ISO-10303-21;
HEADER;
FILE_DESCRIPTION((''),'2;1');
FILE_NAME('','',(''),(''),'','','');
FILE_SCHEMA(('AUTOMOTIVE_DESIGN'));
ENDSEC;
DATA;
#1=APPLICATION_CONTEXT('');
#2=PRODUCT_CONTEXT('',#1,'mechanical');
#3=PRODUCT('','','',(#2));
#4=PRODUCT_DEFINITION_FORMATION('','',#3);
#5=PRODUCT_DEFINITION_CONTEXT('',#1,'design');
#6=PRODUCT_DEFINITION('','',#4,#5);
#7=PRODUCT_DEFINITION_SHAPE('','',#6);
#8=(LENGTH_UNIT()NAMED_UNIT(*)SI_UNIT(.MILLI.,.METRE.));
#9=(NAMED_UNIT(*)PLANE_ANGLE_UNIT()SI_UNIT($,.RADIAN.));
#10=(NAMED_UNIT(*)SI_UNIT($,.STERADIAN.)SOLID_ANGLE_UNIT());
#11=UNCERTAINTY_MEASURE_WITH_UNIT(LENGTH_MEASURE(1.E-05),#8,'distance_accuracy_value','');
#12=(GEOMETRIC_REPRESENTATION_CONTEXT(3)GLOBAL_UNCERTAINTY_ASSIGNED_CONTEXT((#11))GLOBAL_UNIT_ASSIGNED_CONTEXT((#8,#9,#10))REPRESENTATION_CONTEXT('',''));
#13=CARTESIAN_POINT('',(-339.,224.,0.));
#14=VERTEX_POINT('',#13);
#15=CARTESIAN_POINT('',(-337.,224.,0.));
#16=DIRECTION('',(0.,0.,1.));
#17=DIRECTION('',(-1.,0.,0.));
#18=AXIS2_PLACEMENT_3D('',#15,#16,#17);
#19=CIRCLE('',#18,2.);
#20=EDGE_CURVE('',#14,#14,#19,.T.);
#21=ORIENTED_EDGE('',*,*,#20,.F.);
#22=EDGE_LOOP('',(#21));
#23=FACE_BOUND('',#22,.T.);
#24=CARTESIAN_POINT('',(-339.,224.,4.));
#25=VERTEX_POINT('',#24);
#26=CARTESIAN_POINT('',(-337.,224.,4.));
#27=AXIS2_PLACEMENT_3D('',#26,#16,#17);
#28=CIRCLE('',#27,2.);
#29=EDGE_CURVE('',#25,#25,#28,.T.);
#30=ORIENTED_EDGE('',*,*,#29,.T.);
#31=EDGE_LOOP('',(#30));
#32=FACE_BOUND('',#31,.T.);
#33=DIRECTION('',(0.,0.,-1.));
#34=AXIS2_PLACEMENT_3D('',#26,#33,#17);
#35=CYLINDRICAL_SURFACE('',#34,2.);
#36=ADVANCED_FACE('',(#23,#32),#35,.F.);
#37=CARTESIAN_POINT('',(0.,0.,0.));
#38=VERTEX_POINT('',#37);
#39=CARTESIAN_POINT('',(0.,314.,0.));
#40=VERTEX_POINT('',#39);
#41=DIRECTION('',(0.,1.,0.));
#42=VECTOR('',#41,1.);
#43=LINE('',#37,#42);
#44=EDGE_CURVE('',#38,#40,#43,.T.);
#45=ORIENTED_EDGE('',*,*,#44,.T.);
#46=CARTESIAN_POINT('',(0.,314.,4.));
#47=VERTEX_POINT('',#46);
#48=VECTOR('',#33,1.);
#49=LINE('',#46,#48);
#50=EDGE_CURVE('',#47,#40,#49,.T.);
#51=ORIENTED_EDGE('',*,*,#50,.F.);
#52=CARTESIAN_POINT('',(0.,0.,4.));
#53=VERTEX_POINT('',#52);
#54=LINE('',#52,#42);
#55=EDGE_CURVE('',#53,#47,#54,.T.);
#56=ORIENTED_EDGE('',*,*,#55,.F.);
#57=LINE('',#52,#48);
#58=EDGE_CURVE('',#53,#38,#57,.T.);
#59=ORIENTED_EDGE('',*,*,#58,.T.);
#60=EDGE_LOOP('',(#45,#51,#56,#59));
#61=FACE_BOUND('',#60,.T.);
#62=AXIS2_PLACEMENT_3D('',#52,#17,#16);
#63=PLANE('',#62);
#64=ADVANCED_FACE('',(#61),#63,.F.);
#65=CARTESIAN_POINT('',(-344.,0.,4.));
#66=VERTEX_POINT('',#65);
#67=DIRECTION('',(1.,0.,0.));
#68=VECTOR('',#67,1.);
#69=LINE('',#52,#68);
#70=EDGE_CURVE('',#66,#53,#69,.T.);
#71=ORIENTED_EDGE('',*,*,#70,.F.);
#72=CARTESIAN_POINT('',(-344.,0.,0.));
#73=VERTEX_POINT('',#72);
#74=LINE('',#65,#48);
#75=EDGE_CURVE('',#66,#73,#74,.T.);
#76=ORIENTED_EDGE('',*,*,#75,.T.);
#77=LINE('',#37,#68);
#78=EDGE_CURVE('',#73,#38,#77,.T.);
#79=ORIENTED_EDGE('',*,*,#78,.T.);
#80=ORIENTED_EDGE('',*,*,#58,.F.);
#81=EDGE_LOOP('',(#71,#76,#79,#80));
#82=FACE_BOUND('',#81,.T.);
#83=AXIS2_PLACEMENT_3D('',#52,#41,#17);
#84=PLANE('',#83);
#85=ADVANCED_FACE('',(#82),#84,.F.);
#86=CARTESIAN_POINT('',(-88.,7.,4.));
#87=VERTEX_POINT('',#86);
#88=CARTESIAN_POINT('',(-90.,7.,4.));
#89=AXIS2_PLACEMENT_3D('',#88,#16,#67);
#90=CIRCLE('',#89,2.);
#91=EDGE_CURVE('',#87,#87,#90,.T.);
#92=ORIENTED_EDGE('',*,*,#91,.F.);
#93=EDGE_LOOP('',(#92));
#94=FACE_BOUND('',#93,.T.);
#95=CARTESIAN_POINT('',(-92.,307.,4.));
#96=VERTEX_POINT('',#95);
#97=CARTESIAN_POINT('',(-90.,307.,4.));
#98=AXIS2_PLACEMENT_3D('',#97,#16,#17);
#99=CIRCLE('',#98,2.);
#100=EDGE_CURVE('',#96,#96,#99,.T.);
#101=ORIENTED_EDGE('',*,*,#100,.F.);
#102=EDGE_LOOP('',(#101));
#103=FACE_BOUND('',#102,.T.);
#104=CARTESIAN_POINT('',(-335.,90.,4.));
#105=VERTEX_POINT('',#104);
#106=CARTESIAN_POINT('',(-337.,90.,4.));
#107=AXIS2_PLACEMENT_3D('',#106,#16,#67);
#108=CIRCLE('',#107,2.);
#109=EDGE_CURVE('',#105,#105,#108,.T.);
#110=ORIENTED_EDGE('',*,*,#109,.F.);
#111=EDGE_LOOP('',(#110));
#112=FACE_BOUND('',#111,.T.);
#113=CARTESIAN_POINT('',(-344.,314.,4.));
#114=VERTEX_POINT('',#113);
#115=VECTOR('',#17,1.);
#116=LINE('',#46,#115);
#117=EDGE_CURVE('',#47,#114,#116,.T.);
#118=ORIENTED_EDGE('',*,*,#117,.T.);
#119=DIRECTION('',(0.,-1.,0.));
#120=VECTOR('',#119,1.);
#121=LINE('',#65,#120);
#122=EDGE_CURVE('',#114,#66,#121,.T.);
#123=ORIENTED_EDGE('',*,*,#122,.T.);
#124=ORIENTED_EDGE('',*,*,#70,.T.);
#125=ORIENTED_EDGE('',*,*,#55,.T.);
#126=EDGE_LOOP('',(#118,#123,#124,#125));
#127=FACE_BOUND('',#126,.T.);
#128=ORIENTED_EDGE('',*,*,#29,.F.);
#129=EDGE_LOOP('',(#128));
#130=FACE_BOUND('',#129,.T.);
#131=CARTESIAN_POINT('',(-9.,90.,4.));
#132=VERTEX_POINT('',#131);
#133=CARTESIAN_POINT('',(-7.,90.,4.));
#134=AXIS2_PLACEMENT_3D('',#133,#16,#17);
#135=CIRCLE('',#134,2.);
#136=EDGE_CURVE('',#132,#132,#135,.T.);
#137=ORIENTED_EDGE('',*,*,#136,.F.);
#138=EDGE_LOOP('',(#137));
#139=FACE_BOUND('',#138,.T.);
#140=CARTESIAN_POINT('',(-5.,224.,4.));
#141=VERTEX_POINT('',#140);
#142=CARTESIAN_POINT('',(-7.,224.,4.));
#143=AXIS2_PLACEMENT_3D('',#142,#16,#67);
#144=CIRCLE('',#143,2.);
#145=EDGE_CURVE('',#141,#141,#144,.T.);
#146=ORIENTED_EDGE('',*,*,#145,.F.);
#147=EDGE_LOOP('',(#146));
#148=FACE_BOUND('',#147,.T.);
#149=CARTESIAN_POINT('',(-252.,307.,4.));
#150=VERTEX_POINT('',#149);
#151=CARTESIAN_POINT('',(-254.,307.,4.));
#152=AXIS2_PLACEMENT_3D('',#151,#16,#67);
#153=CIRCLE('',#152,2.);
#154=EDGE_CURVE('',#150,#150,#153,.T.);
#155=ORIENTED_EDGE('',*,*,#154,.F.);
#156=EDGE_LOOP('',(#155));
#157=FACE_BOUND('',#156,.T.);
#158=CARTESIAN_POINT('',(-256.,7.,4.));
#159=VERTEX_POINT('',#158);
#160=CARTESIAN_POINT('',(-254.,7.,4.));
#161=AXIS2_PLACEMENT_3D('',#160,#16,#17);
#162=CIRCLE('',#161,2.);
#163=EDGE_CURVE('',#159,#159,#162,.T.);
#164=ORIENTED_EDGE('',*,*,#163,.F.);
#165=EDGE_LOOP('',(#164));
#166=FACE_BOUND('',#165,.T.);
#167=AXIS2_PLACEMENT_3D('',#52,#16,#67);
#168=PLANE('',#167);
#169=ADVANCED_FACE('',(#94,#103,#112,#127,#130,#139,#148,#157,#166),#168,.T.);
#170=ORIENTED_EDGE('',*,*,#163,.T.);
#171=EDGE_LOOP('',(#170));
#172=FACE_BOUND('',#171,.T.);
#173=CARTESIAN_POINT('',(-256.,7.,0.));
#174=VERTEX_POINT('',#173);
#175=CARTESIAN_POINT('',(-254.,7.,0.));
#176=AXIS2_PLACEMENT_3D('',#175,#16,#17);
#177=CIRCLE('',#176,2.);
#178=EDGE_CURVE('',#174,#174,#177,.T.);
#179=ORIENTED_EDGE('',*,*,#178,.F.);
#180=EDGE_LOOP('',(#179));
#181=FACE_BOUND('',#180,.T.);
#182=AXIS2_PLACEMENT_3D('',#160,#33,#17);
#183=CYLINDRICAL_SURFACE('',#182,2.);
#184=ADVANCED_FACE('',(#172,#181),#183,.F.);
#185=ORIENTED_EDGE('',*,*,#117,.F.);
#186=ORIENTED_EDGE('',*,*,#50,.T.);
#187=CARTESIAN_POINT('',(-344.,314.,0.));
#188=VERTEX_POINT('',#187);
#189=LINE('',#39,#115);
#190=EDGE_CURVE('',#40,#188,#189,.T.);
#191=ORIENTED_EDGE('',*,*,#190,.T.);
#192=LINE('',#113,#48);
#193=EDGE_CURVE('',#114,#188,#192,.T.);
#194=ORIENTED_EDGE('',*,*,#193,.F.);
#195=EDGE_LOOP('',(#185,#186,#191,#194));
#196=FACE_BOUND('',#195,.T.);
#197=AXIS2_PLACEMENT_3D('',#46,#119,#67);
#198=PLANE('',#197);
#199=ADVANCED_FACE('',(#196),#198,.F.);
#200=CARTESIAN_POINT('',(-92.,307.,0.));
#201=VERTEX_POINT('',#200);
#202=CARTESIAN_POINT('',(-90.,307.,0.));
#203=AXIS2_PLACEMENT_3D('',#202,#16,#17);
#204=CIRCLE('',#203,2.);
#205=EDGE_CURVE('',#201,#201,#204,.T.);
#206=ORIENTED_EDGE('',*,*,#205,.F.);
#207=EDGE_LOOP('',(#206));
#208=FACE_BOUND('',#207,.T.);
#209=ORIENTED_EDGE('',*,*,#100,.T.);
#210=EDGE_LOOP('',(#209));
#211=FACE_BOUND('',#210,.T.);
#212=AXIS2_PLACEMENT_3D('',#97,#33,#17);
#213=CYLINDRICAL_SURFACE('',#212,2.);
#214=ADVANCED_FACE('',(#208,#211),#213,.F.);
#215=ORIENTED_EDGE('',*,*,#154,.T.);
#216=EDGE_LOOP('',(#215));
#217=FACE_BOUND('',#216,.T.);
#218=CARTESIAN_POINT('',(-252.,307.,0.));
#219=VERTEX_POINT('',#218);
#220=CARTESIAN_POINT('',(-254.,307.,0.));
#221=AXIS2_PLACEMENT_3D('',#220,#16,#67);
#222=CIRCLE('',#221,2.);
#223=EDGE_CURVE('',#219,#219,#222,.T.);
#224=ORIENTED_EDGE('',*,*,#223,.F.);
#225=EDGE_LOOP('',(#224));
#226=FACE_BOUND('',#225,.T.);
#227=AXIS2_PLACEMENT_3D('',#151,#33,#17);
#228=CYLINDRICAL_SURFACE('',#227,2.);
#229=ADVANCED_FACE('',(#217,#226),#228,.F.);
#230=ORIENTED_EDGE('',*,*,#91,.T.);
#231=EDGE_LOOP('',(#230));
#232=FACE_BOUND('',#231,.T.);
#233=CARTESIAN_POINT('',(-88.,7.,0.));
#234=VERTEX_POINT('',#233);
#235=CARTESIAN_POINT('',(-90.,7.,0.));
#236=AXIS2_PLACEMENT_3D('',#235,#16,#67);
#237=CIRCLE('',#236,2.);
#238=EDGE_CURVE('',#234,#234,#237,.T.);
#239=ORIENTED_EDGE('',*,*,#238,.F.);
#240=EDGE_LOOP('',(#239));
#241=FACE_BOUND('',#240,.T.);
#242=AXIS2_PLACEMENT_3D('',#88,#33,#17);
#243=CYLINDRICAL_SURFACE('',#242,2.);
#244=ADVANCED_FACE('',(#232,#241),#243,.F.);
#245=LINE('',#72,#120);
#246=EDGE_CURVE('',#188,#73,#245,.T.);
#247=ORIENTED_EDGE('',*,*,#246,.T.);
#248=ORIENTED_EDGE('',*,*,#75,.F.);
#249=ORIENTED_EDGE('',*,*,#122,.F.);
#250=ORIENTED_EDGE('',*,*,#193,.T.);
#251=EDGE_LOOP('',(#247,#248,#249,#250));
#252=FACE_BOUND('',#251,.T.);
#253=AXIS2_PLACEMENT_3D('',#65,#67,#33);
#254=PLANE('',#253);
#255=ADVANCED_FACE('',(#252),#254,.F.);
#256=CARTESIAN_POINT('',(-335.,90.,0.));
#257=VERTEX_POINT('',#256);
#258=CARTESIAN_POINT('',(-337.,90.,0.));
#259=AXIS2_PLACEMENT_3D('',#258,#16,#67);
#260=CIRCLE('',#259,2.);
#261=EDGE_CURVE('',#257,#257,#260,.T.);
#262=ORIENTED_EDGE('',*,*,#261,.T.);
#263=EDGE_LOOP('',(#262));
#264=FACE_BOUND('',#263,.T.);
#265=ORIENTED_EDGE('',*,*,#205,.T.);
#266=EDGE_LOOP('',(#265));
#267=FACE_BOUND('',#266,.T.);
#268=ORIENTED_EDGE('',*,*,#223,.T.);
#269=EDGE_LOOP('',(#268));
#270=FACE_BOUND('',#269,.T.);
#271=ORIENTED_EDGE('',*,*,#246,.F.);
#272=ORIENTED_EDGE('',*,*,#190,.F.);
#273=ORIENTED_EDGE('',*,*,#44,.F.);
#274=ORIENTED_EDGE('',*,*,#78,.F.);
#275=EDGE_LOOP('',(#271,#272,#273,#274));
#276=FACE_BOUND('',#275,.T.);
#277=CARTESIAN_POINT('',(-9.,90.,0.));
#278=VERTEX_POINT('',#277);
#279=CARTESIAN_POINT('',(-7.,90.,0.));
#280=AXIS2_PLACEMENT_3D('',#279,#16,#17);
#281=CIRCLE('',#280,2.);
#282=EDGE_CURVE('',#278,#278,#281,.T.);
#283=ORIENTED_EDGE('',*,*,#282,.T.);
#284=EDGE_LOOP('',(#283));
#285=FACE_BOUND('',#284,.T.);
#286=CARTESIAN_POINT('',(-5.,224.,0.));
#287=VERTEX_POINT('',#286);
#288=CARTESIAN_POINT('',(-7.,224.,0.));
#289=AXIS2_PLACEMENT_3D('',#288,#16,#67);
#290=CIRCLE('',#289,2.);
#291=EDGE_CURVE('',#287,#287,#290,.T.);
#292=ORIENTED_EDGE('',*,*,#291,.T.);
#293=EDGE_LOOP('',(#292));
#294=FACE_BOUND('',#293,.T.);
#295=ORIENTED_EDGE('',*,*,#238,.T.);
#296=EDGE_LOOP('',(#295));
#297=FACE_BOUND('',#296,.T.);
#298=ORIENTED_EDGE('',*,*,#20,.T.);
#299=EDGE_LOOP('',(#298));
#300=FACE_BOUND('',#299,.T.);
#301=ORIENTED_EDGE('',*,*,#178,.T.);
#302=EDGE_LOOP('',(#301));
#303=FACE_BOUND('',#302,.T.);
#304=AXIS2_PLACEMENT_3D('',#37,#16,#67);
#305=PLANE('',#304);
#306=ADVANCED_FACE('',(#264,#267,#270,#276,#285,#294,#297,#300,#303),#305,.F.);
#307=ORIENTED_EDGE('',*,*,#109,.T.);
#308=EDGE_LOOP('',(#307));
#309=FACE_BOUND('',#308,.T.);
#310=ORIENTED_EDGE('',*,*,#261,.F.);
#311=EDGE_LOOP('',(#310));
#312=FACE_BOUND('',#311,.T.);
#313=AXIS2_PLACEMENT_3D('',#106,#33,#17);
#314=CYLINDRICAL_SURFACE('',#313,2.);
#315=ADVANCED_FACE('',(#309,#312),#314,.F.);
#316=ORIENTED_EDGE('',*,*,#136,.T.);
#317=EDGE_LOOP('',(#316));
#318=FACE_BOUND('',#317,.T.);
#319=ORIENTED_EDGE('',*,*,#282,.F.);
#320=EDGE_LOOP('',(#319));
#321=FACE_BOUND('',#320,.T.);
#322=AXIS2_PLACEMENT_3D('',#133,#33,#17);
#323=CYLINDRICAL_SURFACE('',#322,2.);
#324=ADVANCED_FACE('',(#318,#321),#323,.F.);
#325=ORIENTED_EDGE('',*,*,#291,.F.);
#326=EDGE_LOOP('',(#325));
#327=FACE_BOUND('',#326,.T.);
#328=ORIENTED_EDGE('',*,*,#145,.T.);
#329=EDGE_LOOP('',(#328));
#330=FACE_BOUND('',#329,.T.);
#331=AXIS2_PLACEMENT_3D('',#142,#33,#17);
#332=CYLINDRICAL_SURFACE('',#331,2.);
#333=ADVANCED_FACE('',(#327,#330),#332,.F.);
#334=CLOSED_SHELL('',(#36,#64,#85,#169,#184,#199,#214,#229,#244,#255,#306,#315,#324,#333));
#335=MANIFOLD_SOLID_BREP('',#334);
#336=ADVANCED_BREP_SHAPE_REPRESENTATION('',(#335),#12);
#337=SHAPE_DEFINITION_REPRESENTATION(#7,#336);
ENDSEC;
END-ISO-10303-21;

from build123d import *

# Parameters (mm, degrees)
SCHIZZO1_W                   = 344
SCHIZZO1_H                   = 314
SCHIZZO1_R                   = 2
ESTRUSIONE_ESTRUSIONE1_DEPTH = 4


with BuildPart() as part:
    # Schizzo1 → Estrusione-Estrusione1 (new body)
    with BuildSketch(Plane.XY):
        with Locations((-172, 157)):
            Rectangle(SCHIZZO1_W, SCHIZZO1_H)
        with Locations(Location((-90, 307, 0), (0, 0, 180))):
            Circle(SCHIZZO1_R, mode=Mode.SUBTRACT)
        with Locations((-7, 224)):
            Circle(SCHIZZO1_R, mode=Mode.SUBTRACT)
        with Locations((-254, 307)):
            Circle(SCHIZZO1_R, mode=Mode.SUBTRACT)
        with Locations(Location((-337, 224, 0), (0, 0, 180))):
            Circle(SCHIZZO1_R, mode=Mode.SUBTRACT)
        with Locations(Location((-254, 7, 0), (0, 0, 180))):
            Circle(SCHIZZO1_R, mode=Mode.SUBTRACT)
        with Locations((-337, 90)):
            Circle(SCHIZZO1_R, mode=Mode.SUBTRACT)
        with Locations(Location((-7, 90, 0), (0, 0, 180))):
            Circle(SCHIZZO1_R, mode=Mode.SUBTRACT)
        with Locations((-90, 7)):
            Circle(SCHIZZO1_R, mode=Mode.SUBTRACT)
    extrude(amount=ESTRUSIONE_ESTRUSIONE1_DEPTH)


solid = part.part
